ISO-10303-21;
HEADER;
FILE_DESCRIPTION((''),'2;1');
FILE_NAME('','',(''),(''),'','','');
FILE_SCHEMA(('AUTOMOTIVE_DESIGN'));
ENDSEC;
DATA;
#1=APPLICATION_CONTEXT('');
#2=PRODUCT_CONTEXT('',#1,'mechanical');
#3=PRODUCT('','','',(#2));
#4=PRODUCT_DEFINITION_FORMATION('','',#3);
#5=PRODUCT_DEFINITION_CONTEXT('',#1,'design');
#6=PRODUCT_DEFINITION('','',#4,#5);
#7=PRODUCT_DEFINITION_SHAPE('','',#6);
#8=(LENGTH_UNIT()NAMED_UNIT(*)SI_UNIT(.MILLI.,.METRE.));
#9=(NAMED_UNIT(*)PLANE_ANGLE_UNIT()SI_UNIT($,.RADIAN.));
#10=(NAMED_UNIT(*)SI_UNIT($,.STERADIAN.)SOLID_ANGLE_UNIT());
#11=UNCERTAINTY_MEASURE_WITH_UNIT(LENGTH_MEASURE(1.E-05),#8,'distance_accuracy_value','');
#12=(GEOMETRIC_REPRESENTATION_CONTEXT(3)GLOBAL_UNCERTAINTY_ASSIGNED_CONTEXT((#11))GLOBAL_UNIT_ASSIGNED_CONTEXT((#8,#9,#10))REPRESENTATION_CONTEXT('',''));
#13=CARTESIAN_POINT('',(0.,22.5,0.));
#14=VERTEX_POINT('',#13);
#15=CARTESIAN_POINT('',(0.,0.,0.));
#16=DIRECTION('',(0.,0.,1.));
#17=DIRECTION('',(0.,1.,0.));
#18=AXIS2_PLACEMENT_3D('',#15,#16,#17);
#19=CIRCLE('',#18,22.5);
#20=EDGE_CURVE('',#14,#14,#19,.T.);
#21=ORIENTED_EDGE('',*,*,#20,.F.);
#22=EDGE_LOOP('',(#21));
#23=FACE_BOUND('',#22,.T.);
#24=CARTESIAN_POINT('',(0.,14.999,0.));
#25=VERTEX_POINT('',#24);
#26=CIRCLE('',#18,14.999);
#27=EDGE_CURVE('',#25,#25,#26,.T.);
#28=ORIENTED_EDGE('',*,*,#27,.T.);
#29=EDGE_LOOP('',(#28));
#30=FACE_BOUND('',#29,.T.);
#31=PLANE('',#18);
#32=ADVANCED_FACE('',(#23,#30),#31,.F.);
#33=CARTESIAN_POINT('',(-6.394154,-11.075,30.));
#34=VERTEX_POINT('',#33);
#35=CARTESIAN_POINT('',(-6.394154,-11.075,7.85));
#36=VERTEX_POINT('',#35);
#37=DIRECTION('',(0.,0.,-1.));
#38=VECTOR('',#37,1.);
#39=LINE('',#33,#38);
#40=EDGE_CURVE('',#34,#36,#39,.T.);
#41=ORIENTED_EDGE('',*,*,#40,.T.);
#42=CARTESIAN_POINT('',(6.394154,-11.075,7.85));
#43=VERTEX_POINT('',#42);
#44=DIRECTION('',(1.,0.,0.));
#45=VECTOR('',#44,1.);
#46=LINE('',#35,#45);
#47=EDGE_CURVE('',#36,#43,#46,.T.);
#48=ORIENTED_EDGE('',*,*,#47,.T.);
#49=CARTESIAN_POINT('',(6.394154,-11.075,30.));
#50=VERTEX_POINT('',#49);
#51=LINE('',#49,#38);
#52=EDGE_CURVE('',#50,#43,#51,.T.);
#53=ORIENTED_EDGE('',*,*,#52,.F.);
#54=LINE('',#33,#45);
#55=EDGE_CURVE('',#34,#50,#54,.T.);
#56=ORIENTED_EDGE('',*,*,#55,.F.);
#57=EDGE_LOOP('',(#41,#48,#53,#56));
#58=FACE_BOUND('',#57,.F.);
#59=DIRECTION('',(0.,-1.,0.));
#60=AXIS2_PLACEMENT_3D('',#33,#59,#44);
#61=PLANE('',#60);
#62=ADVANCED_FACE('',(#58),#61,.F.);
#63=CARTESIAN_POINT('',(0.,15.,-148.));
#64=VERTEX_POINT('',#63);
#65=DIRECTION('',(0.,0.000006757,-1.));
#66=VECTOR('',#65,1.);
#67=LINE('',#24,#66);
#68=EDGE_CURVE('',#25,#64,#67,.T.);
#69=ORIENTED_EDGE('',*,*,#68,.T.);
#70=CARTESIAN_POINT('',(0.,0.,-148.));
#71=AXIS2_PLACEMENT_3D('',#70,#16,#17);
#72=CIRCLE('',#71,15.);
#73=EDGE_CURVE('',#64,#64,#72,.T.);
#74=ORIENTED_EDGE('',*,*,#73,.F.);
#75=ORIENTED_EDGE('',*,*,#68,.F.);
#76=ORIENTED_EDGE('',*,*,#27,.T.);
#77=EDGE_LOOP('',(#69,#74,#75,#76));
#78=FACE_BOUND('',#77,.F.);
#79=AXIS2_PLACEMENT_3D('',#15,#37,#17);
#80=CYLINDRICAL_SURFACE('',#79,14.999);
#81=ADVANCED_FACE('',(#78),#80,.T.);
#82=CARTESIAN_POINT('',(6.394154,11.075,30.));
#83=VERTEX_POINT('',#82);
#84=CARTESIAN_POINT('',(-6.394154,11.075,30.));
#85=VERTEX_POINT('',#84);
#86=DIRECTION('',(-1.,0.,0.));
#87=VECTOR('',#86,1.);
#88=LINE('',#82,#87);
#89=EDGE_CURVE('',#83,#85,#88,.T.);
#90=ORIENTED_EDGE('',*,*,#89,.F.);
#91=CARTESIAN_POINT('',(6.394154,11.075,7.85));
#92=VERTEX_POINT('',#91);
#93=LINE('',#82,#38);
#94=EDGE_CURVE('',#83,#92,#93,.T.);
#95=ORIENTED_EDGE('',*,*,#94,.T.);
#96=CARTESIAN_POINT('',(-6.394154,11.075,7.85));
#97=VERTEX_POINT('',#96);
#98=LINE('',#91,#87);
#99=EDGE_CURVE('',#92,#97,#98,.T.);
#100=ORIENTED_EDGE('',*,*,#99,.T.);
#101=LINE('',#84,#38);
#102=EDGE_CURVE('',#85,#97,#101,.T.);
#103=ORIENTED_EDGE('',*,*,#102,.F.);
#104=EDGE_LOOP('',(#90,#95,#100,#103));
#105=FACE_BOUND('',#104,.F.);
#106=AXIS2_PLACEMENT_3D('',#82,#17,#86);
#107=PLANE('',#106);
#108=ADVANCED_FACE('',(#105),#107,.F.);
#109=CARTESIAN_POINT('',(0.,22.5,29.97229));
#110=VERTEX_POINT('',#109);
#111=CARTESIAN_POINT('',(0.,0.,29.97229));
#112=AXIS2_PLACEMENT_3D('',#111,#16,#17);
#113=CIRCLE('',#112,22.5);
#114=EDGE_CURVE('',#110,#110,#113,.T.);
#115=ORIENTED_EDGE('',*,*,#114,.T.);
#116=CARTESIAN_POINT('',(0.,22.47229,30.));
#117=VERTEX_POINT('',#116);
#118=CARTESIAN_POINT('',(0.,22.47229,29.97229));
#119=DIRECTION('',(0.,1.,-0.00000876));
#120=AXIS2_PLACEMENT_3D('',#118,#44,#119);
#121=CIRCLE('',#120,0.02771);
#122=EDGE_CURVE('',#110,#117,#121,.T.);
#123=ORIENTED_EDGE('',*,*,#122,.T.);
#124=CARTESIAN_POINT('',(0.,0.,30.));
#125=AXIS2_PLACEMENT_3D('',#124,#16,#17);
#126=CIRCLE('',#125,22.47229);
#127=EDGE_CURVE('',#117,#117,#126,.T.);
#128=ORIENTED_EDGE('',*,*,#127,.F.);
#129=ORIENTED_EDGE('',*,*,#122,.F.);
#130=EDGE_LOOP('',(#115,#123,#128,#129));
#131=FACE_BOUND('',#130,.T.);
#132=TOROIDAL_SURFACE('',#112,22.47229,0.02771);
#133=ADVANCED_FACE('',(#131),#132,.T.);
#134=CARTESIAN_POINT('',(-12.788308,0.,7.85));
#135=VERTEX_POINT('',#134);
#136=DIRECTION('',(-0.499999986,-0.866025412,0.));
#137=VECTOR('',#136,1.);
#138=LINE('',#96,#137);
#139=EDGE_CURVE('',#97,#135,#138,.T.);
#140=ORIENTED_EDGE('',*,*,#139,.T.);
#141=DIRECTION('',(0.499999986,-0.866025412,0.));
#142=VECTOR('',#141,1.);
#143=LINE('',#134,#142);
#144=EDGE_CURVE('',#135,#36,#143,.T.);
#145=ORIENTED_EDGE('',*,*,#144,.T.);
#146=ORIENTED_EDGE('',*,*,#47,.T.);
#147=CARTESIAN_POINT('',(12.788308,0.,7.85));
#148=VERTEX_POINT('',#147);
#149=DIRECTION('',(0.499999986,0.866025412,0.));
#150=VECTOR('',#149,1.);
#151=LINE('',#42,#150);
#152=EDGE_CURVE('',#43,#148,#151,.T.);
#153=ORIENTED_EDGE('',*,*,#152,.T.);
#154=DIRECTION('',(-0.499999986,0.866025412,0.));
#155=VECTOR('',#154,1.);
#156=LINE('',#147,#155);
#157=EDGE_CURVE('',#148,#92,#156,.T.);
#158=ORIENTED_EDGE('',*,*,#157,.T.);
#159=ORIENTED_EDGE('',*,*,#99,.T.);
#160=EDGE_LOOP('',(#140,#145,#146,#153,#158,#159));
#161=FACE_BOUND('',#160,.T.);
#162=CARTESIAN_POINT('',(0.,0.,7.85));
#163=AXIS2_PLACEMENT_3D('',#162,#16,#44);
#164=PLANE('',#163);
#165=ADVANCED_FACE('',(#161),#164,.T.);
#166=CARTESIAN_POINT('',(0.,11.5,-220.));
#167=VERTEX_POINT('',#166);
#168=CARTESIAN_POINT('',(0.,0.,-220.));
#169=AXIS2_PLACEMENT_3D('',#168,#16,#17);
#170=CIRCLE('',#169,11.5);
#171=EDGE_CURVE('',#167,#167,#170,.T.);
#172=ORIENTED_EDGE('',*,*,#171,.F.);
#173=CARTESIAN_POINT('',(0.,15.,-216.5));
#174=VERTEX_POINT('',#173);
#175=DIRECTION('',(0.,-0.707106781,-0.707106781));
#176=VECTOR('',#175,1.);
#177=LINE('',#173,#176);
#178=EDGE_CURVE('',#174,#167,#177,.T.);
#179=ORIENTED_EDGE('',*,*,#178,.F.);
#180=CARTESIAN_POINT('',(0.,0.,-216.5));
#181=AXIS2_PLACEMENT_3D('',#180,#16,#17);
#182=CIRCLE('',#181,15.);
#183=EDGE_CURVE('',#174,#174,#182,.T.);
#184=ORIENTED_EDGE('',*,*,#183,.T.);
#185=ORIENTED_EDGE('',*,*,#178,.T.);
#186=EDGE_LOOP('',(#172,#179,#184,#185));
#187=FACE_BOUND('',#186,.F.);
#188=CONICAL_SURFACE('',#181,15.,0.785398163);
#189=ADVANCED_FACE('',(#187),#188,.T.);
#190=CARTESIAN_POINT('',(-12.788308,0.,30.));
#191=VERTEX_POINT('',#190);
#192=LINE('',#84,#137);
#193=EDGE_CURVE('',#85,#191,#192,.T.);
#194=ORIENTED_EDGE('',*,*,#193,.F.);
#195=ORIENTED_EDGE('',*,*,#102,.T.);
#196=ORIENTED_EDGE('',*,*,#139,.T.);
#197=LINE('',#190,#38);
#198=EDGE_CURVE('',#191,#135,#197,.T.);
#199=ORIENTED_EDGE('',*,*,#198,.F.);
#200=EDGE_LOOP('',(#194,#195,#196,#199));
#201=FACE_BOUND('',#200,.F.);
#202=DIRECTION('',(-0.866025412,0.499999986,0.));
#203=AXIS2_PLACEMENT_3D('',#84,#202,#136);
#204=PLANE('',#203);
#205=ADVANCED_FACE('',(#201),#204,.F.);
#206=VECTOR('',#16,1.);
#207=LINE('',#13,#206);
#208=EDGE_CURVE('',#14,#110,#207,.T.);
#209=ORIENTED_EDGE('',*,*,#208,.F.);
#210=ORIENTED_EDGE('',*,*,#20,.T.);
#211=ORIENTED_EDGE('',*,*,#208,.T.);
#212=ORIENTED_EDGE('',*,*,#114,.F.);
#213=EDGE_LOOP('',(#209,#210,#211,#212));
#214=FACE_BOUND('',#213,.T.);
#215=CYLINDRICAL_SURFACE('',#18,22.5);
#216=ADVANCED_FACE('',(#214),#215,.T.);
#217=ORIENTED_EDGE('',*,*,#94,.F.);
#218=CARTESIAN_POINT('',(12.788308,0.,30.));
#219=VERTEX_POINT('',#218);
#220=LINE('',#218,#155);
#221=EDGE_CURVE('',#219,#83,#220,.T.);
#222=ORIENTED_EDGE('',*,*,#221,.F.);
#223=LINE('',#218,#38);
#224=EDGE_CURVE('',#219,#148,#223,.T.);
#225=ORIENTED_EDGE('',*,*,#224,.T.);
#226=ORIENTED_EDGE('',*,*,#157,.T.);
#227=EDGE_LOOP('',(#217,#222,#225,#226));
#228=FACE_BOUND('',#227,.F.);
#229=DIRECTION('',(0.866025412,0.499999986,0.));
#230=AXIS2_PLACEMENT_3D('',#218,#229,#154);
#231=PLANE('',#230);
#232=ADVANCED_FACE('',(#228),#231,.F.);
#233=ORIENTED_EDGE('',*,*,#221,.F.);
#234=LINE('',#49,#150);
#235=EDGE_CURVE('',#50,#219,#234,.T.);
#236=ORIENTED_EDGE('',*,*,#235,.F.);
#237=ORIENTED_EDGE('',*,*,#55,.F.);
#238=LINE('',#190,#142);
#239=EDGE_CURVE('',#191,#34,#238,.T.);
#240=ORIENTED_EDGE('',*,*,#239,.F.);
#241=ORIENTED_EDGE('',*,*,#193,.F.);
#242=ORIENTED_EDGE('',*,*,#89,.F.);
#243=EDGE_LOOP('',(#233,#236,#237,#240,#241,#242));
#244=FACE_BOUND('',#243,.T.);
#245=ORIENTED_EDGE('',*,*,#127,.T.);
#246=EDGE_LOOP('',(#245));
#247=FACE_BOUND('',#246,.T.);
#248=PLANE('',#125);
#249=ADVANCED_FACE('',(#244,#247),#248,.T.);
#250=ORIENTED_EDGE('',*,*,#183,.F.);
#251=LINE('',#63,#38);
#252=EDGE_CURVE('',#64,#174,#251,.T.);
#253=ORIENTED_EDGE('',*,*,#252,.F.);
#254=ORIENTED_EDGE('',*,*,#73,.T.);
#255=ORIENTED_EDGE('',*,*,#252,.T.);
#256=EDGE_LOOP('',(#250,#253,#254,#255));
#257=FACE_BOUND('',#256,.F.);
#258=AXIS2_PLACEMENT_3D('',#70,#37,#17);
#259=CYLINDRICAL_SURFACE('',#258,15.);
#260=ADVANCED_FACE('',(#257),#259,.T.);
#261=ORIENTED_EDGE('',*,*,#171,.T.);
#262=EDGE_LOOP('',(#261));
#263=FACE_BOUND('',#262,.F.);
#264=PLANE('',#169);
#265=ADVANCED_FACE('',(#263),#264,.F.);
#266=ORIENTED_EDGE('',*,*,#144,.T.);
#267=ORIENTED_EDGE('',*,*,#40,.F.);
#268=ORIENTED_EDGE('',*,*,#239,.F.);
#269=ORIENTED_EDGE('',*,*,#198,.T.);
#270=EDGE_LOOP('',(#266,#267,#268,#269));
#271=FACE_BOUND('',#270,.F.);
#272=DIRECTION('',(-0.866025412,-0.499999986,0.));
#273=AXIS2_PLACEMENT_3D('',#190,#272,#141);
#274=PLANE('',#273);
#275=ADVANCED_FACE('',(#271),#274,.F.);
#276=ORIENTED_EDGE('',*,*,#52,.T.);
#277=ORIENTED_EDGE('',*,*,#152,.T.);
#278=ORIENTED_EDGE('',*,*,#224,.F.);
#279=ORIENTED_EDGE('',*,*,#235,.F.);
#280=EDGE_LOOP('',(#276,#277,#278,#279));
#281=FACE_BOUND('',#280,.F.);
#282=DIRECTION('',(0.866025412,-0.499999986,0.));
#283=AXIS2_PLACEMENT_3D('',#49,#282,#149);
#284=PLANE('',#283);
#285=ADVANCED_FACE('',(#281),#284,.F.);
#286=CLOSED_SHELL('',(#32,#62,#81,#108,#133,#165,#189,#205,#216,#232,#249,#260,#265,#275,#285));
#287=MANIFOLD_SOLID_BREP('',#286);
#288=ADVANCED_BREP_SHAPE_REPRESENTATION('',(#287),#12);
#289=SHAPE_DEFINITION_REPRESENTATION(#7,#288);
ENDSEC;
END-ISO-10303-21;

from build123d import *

# Parameters (mm, degrees)
POCKET_DEPTH = 22.15


with BuildPart() as part:
    # Sketch → Revolve (revolve)
    with BuildSketch(Plane.YZ):
        with BuildLine():
            Line((14.999, 0), (22.5, 0))
            Line((22.5, 0), (22.5, 29.97229))
            ThreePointArc((22.5, 29.97229), (22.491884, 29.991884), (22.47229, 30))
            Line((22.47229, 30), (0, 30))
            Line((0, -220), (0, 30))
            Line((11.5, -220), (0, -220))
            Line((15, -216.5), (11.5, -220))
            Line((15, -148), (15, -216.5))
            Line((14.999, 0), (15, -148))
        make_face()
    revolve(axis=Axis((0, 0, 0), (0, 0, 1)))

    # Sketch001 → Pocket (cut)
    with BuildSketch(Plane.XY.offset(30)):
        Polygon((12.788308, 0), (6.394154, 11.075), (-6.394154, 11.075), (-12.788308, 0), (-6.394154, -11.075), (6.394154, -11.075), align=None)
    extrude(amount=-POCKET_DEPTH, mode=Mode.SUBTRACT)


solid = part.part
